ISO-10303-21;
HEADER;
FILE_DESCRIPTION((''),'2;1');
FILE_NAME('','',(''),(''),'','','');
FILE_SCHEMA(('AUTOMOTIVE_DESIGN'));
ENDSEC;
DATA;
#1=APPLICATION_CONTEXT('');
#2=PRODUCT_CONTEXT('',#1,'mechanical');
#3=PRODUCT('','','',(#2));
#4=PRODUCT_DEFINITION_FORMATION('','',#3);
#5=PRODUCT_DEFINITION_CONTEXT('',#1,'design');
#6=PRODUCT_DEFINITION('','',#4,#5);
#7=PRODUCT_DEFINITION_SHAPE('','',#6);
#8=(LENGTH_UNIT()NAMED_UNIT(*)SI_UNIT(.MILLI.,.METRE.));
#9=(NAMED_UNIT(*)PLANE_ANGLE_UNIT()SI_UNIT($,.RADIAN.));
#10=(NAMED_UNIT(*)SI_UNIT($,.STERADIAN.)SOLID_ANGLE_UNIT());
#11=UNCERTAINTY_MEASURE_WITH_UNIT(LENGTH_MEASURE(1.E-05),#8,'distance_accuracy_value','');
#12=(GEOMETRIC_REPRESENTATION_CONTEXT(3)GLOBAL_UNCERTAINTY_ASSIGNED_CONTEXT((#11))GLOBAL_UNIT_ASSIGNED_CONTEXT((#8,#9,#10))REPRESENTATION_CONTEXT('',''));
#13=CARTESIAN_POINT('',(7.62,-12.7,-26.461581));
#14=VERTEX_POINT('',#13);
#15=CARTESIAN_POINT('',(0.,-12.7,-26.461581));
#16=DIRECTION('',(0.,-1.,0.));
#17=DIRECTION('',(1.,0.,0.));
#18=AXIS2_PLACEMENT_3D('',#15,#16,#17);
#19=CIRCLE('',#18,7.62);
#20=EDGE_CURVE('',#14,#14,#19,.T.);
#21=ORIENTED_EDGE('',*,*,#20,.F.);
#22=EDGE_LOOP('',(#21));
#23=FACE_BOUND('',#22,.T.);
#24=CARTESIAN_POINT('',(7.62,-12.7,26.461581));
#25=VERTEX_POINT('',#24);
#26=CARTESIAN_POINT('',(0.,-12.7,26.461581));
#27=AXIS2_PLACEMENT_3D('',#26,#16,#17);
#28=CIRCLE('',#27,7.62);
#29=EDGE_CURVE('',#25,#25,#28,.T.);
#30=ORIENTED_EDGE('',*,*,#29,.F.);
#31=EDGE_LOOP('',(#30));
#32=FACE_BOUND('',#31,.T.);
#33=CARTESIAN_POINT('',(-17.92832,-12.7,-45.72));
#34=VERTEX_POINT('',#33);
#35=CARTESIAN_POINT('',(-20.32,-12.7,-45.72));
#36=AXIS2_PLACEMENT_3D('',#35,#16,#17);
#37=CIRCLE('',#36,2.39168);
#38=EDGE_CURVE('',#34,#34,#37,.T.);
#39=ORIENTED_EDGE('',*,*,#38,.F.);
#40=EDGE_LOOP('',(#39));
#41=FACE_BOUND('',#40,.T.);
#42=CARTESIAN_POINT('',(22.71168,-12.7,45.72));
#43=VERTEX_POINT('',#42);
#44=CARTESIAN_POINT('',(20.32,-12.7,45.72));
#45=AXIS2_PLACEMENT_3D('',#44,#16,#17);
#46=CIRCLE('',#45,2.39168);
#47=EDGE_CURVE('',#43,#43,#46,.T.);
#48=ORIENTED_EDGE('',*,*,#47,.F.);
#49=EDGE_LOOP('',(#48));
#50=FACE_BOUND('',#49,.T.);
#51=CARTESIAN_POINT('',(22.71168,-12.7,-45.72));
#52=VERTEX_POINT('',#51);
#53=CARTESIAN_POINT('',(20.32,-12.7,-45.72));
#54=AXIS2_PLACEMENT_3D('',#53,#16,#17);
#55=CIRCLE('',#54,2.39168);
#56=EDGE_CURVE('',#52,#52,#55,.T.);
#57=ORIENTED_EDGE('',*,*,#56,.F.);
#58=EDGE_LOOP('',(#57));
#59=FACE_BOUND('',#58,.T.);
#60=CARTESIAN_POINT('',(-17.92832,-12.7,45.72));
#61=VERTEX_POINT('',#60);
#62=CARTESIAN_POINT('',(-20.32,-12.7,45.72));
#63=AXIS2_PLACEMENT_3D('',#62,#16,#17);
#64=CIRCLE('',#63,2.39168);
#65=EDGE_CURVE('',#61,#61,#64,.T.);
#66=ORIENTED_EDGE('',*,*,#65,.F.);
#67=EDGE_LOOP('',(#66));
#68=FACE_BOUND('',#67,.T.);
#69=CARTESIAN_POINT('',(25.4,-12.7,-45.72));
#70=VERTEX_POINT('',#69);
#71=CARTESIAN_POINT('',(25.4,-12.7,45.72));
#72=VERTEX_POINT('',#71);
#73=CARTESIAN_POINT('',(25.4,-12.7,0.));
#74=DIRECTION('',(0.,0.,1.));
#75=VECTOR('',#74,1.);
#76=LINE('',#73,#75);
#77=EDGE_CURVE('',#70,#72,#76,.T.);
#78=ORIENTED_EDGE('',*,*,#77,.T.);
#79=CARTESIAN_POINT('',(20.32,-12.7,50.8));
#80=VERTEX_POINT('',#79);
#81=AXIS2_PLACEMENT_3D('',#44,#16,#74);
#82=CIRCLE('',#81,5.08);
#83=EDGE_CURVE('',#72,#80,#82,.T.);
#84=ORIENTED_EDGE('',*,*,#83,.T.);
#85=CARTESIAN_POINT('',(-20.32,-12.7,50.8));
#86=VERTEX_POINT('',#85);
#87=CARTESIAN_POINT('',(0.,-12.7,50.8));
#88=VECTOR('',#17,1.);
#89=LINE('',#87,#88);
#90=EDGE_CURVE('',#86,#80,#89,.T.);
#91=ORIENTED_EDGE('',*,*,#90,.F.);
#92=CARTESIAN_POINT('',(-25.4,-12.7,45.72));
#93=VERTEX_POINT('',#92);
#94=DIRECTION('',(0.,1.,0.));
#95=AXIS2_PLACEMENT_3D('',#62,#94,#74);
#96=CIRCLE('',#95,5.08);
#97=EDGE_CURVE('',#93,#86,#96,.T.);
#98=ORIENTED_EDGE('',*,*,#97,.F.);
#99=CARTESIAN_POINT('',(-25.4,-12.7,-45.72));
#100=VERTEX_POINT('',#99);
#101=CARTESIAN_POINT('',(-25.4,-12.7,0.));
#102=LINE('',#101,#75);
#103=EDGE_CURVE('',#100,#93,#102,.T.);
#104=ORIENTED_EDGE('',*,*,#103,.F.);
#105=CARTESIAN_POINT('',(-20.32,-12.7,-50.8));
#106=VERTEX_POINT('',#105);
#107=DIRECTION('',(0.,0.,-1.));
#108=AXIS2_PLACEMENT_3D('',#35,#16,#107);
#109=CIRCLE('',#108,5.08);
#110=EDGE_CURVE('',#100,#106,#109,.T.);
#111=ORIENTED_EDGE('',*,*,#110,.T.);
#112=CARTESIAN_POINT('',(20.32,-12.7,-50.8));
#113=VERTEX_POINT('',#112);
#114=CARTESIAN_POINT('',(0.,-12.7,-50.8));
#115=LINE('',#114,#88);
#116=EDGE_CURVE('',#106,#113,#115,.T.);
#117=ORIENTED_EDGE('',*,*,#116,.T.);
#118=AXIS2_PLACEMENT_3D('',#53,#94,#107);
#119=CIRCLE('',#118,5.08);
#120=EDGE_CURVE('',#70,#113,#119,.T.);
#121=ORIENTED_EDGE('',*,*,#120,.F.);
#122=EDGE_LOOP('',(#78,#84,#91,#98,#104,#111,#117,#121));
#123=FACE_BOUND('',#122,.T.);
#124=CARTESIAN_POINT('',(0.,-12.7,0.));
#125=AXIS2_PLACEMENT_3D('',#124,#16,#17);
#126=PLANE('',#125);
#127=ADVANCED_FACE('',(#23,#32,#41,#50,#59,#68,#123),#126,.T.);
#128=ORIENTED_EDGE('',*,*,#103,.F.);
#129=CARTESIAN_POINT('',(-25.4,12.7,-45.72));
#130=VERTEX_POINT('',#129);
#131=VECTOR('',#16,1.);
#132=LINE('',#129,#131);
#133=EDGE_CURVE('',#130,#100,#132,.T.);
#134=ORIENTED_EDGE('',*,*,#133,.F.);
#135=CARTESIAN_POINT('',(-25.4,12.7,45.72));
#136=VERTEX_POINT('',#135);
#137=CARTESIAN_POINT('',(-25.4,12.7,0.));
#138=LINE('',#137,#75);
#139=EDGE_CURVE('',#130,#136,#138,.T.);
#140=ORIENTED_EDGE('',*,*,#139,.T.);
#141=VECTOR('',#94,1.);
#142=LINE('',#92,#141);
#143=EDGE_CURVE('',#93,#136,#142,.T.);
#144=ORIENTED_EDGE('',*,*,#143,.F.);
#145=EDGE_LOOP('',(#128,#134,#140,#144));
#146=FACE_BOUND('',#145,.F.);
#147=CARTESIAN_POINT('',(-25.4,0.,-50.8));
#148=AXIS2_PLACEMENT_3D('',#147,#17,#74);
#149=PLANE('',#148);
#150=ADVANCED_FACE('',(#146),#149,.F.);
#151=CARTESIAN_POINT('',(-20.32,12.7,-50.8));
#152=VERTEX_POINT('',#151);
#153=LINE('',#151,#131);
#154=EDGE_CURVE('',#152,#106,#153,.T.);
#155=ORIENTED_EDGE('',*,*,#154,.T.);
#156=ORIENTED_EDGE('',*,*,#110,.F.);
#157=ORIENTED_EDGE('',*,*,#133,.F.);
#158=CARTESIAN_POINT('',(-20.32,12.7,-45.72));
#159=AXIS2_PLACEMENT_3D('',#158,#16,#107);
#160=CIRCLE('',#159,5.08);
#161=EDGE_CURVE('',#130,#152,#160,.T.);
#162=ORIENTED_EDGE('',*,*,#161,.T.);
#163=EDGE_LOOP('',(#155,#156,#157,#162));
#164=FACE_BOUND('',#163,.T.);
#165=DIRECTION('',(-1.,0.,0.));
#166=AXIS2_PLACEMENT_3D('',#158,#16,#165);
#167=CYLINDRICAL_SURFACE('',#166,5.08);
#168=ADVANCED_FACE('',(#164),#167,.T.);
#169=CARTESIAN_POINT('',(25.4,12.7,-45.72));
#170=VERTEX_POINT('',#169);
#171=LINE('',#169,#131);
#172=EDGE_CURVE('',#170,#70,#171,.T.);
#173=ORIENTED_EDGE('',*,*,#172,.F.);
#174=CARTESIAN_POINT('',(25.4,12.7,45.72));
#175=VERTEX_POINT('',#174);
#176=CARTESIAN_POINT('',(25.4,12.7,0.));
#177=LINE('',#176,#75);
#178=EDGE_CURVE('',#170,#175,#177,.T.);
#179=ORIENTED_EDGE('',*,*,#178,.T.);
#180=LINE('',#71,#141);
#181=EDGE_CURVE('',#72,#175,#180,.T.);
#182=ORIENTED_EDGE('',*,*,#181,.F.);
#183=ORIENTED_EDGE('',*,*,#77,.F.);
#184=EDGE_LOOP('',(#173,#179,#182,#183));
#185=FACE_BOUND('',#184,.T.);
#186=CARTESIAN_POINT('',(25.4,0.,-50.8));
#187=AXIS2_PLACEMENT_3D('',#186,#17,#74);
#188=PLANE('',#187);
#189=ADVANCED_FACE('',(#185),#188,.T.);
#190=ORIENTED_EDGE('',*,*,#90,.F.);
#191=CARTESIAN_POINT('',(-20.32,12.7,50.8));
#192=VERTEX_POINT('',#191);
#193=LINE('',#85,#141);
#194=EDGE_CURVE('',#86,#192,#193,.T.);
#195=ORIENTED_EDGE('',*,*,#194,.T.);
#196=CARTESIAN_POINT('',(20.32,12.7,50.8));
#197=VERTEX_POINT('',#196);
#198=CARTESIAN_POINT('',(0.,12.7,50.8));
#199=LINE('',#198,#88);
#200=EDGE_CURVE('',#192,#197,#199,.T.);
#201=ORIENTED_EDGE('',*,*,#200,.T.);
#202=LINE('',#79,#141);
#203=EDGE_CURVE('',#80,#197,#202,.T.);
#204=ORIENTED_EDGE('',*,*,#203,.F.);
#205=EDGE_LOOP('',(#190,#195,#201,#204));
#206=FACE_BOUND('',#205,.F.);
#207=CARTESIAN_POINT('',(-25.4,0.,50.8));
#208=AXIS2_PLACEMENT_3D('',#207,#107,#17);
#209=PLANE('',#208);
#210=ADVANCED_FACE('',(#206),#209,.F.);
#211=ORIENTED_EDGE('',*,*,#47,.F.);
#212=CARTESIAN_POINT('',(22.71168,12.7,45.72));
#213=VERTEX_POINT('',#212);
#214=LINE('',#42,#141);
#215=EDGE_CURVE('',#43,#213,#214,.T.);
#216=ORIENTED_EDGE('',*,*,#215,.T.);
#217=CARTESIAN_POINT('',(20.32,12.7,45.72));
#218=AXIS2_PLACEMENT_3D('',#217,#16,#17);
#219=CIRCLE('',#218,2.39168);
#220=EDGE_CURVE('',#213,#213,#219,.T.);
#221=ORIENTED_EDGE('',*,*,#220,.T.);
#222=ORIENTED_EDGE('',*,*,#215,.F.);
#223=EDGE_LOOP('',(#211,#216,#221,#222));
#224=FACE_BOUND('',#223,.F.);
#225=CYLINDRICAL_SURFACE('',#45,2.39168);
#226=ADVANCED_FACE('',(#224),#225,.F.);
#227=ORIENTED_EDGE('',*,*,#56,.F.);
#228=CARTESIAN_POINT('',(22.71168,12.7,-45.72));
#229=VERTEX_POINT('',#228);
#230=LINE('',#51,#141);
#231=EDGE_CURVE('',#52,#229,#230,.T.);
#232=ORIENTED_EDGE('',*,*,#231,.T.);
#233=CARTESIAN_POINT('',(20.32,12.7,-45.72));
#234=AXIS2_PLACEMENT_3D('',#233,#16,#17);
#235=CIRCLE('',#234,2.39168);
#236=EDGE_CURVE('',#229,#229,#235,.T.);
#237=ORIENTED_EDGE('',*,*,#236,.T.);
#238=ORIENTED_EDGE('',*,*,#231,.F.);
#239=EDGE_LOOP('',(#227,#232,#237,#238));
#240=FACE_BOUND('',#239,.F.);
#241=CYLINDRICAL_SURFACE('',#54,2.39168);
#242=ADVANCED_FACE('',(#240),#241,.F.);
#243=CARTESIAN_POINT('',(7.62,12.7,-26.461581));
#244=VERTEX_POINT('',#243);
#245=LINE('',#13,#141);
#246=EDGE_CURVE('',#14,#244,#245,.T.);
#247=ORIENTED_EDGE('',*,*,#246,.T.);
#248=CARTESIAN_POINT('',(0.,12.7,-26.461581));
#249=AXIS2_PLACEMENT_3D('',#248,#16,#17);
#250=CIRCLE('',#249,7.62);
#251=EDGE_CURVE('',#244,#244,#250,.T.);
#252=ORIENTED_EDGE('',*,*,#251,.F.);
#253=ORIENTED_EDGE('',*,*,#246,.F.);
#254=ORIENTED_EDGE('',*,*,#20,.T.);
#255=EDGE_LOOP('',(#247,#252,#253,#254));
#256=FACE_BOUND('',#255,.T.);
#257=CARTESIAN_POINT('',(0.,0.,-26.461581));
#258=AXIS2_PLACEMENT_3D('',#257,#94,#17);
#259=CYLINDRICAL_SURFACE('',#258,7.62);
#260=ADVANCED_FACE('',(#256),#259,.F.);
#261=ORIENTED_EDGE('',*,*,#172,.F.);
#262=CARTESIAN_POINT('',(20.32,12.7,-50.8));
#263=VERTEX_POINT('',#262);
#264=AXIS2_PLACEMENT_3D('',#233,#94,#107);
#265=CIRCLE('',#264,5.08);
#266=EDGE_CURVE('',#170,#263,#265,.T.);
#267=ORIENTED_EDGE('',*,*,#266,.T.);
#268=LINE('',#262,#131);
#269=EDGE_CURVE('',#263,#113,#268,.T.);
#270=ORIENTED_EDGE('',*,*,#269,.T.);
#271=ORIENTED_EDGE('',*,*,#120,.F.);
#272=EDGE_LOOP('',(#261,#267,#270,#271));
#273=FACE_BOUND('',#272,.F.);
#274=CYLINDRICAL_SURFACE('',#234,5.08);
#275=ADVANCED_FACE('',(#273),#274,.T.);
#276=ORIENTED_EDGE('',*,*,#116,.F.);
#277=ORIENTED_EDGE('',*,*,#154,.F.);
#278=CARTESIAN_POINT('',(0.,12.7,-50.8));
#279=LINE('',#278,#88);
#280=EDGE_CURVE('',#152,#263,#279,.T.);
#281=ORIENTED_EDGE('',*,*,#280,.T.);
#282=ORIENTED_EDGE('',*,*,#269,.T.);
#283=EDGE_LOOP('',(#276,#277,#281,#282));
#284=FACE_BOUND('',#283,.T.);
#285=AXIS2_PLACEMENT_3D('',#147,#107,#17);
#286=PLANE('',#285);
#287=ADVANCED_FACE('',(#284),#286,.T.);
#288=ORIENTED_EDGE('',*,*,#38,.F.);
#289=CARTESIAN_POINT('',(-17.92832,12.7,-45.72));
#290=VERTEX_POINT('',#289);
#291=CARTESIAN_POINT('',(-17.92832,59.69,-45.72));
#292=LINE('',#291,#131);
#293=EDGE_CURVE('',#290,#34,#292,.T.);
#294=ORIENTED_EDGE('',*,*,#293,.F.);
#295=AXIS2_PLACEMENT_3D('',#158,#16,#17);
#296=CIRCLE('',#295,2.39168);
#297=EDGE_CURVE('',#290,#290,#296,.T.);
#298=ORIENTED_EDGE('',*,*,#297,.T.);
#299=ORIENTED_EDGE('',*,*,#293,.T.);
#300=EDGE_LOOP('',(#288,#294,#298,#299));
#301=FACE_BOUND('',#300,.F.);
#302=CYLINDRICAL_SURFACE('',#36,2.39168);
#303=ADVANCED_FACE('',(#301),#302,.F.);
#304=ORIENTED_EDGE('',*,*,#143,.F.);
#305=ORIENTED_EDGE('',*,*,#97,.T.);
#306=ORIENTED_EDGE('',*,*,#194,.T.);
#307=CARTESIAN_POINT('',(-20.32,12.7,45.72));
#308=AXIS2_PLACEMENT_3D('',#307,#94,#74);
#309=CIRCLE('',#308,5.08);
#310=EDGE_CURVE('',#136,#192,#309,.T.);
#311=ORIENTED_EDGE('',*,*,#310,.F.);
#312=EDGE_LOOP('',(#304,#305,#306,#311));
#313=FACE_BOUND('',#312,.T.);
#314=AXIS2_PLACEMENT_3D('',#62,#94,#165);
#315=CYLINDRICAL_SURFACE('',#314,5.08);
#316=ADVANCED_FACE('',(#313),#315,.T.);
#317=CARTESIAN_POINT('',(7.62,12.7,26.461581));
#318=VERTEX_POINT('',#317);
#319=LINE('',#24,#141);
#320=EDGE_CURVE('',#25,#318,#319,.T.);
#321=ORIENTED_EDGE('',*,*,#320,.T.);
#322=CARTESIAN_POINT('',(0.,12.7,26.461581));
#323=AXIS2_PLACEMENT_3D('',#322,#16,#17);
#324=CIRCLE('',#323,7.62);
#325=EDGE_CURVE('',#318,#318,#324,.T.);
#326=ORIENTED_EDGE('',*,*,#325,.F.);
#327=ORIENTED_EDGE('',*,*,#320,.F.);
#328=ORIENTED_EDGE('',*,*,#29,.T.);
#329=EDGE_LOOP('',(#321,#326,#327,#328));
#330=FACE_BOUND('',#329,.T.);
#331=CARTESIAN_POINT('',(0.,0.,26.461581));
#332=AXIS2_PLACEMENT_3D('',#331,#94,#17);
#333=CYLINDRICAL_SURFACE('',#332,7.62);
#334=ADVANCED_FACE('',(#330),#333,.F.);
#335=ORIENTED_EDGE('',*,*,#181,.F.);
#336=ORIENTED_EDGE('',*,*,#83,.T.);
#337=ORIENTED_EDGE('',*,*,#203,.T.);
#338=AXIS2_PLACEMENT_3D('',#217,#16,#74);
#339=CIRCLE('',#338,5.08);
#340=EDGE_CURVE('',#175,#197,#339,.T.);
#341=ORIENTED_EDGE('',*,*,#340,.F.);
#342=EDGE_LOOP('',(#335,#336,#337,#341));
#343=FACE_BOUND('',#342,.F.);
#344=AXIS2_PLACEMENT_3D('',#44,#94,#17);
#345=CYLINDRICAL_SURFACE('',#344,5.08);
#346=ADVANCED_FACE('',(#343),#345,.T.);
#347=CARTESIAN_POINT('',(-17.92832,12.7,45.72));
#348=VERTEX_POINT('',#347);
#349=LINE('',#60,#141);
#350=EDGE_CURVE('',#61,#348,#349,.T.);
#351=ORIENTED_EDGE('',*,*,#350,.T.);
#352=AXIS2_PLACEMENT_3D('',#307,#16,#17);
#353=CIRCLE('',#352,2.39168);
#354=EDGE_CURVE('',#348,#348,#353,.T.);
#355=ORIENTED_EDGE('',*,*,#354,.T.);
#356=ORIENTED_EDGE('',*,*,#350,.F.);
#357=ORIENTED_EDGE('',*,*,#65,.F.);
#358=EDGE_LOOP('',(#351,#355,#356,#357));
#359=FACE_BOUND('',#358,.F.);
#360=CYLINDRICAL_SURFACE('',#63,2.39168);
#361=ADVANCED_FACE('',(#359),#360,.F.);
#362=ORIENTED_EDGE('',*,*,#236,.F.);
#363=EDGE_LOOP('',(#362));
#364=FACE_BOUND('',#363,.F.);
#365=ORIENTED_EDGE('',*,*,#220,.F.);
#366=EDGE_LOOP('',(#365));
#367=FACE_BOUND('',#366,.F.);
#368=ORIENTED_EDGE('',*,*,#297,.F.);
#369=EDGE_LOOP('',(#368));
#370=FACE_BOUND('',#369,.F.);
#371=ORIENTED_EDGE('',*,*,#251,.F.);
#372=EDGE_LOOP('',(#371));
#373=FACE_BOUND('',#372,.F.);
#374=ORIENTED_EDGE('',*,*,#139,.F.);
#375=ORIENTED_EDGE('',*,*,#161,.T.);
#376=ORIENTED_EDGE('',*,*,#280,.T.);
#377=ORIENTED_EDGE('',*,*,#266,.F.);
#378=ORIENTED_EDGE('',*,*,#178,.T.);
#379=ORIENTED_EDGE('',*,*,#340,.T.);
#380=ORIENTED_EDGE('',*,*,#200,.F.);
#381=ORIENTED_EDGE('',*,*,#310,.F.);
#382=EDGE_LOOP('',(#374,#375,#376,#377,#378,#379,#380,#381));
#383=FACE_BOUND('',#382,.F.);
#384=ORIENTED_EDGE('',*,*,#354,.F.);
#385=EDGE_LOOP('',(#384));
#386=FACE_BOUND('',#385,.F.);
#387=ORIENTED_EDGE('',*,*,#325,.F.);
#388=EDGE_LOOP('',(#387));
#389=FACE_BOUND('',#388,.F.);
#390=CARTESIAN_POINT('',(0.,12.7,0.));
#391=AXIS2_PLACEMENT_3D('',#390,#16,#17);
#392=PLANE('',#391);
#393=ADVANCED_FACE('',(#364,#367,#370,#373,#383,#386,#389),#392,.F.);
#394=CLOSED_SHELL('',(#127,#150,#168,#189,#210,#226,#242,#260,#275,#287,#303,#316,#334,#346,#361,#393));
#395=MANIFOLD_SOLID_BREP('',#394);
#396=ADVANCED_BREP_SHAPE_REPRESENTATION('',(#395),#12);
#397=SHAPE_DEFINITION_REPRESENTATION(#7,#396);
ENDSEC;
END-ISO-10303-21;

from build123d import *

# Parameters (mm, degrees)
F0_W     = 50.8
F0_H     = 101.6
F0_R     = 7.62
F1_DEPTH = 12.7
F2_R     = 5.08
F3_R     = 2.39168
F4_DEPTH = 72.39


with BuildPart() as f1:
    # F0 (on Front) → F1 (new body, symmetric)
    with BuildSketch(Plane.XZ):
        Rectangle(F0_W, F0_H)
        with Locations((0, -26.461581)):
            Circle(F0_R, mode=Mode.SUBTRACT)
        with Locations((0, 26.461581)):
            Circle(F0_R, mode=Mode.SUBTRACT)
    extrude(amount=F1_DEPTH, both=True)

    # F2
    f2_edges = [f1.edges().sort_by_distance(p)[0] for p in [
        (-25.4, 0, 50.8),
        (25.4, 0, 50.8),
        (25.4, 0, -50.8),
        (-25.4, 0, -50.8),
    ]]
    fillet(f2_edges, radius=F2_R)

    # F3 (on face) → F4 (cut, symmetric)
    with BuildSketch(Plane.XZ.offset(12.7)):
        with Locations((-20.32, 45.72)):
            Circle(F3_R)
        with Locations((20.32, 45.72)):
            Circle(F3_R)
        with Locations((20.32, -45.72)):
            Circle(F3_R)
        with Locations((-20.32, -45.72)):
            Circle(F3_R)
    extrude(amount=F4_DEPTH, both=True, mode=Mode.SUBTRACT)


solid = f1.part
